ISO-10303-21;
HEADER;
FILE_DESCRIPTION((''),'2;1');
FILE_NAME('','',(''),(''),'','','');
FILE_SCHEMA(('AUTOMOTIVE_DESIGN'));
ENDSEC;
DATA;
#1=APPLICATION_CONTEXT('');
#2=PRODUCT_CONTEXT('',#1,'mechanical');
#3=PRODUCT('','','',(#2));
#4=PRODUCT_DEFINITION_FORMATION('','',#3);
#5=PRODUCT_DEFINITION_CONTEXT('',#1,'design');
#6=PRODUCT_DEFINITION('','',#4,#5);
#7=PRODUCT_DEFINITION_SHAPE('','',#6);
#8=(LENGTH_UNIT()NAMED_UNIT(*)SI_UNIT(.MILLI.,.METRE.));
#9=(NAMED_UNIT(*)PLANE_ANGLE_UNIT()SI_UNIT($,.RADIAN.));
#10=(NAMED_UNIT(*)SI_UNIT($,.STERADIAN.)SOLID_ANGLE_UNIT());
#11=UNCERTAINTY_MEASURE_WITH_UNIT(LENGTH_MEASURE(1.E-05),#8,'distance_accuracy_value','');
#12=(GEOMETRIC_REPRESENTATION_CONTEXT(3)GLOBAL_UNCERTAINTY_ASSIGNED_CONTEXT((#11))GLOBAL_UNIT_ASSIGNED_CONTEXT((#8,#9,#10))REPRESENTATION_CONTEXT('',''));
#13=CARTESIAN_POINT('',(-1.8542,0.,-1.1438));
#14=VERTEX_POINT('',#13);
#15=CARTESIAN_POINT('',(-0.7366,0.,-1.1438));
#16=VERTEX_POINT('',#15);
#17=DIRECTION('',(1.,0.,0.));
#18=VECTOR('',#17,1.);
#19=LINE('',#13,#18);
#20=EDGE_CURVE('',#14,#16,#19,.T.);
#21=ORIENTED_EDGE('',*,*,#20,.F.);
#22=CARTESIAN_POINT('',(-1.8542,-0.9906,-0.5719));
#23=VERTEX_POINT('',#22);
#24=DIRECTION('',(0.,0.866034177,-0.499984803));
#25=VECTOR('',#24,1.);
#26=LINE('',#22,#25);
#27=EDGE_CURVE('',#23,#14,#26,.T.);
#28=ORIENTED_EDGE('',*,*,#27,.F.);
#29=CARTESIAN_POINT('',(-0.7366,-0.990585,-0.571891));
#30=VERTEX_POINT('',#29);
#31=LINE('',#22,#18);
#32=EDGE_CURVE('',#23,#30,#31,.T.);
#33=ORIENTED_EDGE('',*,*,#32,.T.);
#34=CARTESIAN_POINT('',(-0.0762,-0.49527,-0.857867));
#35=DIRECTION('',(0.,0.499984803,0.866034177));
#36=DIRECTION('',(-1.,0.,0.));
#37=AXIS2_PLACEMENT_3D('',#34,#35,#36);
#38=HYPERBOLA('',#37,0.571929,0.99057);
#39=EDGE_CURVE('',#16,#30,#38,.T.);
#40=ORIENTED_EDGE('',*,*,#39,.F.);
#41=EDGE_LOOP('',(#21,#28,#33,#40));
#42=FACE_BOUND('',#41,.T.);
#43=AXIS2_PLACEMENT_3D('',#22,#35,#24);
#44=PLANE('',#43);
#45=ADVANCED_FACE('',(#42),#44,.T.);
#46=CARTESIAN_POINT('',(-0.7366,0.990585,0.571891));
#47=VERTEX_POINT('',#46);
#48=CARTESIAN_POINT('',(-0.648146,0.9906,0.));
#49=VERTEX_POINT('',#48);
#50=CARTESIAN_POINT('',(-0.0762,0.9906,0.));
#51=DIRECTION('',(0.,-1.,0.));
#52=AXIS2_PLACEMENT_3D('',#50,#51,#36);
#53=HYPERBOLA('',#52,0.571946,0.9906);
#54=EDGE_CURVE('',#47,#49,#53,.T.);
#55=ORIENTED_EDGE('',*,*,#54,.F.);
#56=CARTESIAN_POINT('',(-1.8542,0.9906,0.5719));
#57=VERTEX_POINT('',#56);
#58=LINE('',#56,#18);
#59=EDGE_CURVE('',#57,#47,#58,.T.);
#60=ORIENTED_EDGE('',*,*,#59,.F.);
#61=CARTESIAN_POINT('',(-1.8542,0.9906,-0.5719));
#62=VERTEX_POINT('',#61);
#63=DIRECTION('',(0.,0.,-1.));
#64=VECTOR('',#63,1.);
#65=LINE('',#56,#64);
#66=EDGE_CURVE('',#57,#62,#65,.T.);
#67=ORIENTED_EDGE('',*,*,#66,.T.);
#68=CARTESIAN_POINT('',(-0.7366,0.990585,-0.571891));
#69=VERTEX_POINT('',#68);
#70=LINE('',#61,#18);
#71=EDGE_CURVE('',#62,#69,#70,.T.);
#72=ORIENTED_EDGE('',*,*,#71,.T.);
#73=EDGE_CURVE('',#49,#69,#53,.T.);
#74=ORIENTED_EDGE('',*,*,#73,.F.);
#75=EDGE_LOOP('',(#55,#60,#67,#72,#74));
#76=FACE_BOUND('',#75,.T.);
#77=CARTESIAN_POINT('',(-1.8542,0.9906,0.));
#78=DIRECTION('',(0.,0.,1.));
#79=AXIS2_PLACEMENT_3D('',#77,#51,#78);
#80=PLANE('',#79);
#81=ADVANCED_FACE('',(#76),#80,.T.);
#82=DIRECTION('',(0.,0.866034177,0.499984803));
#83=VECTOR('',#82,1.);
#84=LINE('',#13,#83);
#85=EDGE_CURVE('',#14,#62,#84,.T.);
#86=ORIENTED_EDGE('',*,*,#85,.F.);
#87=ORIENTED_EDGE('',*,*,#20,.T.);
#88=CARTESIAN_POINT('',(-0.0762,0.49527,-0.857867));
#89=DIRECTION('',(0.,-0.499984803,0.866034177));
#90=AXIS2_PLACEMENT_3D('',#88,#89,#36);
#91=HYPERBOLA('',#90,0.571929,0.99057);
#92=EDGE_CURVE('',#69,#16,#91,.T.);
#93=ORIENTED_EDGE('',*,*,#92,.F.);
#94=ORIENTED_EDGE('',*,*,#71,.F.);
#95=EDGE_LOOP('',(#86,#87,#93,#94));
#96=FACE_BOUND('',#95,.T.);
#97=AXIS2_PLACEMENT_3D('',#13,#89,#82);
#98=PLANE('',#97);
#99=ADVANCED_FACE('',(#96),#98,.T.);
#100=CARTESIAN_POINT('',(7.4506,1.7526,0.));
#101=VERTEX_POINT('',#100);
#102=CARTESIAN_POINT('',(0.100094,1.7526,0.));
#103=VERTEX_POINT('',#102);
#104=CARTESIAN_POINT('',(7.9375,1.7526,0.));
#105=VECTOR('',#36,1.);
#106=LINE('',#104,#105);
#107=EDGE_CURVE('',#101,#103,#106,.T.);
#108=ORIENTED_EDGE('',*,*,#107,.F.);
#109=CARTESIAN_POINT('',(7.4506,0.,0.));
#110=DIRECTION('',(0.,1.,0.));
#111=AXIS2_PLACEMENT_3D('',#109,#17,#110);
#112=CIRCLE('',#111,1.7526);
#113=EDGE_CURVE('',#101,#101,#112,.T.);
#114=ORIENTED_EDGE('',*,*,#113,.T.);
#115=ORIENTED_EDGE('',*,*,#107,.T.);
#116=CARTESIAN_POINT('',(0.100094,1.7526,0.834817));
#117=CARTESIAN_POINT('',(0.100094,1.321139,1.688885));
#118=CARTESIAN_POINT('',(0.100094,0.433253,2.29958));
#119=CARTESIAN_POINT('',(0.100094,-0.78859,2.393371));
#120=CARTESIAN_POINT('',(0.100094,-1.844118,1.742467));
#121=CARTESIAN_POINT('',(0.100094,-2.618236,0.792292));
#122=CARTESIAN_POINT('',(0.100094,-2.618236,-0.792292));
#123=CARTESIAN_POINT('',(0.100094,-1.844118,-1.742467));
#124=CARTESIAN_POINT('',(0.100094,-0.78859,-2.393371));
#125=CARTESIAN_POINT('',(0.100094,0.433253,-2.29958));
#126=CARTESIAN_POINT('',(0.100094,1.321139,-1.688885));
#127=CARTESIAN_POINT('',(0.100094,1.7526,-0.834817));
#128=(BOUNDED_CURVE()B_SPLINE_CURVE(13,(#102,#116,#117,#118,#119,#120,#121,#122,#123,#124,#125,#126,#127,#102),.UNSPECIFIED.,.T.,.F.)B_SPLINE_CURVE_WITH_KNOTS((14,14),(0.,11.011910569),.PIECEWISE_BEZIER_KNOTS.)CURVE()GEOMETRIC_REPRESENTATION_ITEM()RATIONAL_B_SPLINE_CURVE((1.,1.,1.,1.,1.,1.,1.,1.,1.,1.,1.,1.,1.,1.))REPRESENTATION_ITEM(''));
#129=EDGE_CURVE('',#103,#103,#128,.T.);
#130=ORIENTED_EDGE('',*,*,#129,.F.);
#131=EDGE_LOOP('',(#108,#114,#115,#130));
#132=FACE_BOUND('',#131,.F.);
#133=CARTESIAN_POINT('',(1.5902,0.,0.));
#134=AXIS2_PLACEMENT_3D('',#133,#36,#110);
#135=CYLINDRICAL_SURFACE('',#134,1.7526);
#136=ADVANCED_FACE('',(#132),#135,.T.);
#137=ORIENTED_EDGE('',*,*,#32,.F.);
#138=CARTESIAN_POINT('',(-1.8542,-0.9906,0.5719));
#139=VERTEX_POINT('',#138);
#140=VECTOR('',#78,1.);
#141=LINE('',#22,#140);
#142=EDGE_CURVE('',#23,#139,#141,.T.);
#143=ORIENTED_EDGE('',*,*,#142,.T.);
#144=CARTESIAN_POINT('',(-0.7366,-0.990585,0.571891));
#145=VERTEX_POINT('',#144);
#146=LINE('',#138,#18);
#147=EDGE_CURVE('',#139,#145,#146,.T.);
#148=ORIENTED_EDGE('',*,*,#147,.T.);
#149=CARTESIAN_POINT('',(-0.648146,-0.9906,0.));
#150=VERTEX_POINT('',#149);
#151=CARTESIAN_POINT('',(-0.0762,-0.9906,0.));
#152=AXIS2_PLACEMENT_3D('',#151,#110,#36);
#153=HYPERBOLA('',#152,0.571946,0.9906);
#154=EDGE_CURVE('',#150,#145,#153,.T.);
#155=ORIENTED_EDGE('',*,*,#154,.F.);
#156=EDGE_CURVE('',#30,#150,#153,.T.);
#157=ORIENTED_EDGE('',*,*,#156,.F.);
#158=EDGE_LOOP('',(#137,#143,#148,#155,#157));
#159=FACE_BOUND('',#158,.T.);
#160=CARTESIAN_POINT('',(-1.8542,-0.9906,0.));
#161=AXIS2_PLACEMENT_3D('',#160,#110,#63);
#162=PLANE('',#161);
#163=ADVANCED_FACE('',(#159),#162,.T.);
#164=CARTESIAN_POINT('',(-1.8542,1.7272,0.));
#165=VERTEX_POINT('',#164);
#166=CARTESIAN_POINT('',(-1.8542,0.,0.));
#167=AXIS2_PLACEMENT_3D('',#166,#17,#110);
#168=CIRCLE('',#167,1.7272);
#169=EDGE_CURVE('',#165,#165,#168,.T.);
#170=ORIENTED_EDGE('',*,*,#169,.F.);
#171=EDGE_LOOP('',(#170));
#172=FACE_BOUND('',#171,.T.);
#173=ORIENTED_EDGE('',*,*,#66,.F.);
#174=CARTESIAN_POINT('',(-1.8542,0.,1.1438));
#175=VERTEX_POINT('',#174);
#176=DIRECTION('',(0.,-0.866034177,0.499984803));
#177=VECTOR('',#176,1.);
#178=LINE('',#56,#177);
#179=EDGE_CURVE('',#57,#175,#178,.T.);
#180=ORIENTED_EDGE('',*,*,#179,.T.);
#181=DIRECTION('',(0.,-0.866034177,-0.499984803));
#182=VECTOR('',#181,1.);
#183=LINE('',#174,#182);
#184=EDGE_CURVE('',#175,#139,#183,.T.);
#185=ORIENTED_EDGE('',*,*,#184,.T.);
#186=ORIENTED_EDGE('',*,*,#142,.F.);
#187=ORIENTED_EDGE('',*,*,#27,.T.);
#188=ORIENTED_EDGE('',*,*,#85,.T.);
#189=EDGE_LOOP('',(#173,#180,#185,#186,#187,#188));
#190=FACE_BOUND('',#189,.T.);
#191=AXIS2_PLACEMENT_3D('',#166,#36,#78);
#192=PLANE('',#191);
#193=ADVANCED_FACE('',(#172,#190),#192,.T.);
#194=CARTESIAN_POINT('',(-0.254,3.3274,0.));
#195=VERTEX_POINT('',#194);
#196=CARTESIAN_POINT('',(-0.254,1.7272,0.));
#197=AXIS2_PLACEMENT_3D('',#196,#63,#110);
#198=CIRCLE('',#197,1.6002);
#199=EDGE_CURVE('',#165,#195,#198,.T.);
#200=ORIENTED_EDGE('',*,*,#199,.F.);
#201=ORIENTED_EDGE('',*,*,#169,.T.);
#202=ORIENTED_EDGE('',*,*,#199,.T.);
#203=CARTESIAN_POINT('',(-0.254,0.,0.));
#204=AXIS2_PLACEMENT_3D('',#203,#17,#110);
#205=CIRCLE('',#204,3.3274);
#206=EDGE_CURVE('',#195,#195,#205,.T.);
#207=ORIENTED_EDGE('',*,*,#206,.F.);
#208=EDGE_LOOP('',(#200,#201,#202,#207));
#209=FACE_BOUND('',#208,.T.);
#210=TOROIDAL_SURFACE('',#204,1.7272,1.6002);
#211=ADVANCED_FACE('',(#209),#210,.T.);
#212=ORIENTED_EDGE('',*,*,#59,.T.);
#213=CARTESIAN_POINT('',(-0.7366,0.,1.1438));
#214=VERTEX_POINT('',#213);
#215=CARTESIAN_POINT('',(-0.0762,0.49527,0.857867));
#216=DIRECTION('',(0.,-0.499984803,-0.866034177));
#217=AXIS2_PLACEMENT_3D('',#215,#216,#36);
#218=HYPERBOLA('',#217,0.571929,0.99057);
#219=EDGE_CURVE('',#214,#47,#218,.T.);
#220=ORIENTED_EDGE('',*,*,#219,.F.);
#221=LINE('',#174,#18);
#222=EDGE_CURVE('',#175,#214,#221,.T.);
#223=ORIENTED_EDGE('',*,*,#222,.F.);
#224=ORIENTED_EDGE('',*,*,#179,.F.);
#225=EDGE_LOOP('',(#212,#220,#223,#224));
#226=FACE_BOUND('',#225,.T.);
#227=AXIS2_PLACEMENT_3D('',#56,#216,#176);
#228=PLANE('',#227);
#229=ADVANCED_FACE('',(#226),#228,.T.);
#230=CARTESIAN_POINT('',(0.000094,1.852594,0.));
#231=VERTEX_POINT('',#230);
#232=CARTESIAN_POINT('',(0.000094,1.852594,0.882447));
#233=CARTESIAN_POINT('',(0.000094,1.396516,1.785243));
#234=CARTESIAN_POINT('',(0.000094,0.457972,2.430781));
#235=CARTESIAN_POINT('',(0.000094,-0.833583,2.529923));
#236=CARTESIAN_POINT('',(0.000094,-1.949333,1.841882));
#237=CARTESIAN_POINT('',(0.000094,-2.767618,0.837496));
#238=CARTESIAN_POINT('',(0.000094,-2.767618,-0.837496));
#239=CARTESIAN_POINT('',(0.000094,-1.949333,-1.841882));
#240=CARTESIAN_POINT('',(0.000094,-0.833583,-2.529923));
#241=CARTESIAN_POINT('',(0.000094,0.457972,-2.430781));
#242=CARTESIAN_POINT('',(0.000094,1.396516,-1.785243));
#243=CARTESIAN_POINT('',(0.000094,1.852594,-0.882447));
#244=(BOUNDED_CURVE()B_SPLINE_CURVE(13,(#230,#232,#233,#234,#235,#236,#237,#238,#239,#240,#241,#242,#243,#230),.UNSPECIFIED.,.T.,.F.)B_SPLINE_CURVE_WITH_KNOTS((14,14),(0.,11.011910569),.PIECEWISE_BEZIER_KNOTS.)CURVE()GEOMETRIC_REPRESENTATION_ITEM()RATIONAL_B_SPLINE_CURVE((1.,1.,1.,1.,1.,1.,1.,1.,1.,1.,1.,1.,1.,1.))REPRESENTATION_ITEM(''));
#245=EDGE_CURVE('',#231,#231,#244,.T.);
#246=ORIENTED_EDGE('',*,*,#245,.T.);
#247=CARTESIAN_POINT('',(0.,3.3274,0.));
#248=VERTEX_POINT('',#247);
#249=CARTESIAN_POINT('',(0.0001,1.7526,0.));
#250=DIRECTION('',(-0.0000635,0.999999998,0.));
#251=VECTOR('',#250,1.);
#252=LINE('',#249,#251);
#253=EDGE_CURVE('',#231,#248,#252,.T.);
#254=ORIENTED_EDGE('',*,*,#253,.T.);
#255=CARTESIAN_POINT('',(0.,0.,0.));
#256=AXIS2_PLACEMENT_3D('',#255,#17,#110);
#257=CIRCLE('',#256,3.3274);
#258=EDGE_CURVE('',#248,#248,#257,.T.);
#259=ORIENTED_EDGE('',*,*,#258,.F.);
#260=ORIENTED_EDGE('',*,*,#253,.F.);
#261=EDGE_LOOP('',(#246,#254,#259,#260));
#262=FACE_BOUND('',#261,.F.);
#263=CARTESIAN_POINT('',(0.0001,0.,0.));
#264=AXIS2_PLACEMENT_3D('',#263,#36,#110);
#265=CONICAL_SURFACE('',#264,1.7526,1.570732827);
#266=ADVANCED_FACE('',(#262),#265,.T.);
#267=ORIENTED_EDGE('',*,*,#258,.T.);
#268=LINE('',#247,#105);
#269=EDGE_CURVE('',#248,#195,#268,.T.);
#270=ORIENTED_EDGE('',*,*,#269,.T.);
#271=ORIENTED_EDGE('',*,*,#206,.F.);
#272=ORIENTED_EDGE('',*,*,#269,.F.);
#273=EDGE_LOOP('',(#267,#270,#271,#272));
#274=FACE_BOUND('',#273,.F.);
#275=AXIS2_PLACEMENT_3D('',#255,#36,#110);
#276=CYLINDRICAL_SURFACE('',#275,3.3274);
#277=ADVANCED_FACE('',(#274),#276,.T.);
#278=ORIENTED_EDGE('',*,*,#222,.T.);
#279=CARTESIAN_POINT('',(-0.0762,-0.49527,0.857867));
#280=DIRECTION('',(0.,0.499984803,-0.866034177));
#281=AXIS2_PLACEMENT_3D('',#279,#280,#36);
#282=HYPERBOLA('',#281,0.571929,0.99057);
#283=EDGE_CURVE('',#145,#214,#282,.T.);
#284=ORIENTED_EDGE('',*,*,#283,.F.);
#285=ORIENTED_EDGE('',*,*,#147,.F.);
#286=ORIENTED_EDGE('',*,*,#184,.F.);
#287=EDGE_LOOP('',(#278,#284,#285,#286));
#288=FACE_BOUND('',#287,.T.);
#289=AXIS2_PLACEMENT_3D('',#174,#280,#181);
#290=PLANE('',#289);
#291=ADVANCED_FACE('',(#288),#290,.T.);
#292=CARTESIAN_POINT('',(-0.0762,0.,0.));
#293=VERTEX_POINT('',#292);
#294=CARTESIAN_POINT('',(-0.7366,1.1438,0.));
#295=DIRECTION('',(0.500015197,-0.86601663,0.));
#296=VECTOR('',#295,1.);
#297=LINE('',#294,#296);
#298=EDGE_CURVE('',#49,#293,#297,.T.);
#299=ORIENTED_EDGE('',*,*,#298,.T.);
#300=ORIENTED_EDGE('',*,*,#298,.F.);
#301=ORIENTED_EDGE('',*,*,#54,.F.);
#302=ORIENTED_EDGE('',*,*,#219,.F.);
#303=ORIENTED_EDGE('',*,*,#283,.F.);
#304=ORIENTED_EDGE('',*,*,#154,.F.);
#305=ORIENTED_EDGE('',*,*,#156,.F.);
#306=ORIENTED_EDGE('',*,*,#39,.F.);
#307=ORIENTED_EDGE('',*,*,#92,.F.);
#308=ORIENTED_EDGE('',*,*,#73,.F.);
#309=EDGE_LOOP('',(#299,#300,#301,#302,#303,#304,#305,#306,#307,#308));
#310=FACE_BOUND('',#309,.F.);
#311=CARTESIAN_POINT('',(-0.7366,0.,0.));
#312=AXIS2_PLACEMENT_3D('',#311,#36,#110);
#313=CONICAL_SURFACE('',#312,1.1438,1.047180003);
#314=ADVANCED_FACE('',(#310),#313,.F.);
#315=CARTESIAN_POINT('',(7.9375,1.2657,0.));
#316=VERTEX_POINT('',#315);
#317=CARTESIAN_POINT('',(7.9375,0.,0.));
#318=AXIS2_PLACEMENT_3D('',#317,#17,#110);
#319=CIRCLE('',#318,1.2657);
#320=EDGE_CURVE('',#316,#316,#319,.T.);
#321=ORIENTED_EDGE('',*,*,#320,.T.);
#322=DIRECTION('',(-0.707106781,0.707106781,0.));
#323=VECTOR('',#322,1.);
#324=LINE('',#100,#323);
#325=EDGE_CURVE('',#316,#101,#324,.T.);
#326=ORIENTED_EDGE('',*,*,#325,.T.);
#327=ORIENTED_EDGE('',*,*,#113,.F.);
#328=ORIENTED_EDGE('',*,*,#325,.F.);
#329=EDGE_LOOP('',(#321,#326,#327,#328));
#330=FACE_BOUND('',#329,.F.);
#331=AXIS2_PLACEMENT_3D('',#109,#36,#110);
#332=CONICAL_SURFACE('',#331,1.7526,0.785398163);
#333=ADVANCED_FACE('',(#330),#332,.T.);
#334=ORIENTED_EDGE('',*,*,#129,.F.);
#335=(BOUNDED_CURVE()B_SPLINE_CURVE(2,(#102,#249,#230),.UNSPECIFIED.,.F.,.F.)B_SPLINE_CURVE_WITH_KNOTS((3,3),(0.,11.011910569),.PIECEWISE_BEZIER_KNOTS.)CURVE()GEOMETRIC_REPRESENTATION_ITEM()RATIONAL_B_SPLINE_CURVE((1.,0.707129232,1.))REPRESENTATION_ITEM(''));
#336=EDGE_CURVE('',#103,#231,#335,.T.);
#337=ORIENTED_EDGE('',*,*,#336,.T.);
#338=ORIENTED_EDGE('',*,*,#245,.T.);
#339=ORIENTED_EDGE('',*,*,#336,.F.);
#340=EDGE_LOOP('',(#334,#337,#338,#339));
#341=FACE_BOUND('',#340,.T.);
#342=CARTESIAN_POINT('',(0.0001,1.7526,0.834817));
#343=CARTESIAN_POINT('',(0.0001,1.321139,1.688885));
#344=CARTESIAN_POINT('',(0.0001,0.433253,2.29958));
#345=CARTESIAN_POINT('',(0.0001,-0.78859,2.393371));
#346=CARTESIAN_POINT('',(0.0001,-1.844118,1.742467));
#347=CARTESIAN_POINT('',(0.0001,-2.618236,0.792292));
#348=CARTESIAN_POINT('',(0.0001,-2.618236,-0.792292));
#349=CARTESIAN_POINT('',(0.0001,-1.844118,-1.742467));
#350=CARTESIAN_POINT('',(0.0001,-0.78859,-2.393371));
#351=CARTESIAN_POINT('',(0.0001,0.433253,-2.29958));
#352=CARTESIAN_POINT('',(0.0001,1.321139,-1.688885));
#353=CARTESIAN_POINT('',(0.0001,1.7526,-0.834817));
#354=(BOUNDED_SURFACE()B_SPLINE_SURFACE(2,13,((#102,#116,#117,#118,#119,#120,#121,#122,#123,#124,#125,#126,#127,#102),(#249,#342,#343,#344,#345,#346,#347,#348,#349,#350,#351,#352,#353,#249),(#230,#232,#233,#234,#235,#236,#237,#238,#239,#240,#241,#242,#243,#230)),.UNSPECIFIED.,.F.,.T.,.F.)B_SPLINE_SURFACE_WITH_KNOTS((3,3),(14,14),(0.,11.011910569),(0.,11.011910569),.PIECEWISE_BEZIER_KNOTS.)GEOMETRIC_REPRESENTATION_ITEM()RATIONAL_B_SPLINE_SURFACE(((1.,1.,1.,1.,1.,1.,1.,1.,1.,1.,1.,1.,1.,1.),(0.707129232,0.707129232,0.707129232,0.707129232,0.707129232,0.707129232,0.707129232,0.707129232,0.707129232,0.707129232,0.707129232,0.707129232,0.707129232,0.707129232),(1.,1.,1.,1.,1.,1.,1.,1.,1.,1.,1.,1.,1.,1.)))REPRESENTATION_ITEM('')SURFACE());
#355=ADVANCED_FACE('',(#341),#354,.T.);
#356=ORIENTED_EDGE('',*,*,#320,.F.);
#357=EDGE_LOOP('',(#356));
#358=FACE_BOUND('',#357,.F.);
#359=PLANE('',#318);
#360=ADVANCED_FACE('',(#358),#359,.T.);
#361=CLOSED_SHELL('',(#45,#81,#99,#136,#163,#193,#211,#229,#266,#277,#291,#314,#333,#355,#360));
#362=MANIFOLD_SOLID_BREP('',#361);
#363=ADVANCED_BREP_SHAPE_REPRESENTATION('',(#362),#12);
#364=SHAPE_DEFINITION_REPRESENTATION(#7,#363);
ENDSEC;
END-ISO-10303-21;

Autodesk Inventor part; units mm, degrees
ref_plane "YZ Plane" through (0, 0, 0) normal (1, 0, 0) x (0, 1, 0)
ref_plane "XZ Plane" through (0, 0, 0) normal (0, 1, 0) x (-1, 0, 0)
sketch "Sketch1" plane through (0, 0, 0) normal (0, 0, 1) x (1, 0, 0)
  line L0 (-0.0762, 0) -> (7.9375, 0)
  line L1 (7.9375, 0) -> (7.9375, 1.7526)
  line L2 (7.9375, 1.7526) -> (1.5902, 1.7526)
  line L3 (1.5902, 1.7526) -> (0.0001, 1.7526)
  line L4 (0.0001, 1.7526) -> (0, 1.7526)
  line L5 (0, 1.7526) -> (0, 3.3274)
  line L6 (0, 3.3274) -> (-1.8542, 3.3274)
  line L7 (-1.8542, 3.3274) -> (-1.8542, 1.1438)
  line L8 (-1.8542, 1.1438) -> (-0.7366, 1.1438)
  line L9 (-0.7366, 1.1438) -> (-0.0762, 0)
  line L10 (-3.8125, 0) -> (9.8958, 0) projected
  line L11 (0, -0.6655) -> (0, 3.9929) projected
  line L12 (1.5902, 1.7526) -> (0, 1.7526) construction
  dimension "d1" = 6.3473
  dimension "d2" = 1.5901
  dimension "d3" = 1.8542
  dimension "d4" = 1.1176
  dimension "d5" = 60
  dimension "d6" = 3.5052
  dimension "d7" = 3.5052
  dimension "d8" = 2.2877
  dimension "d9" = 6.6548
  dimension "d26" = 7.9375
revolve "Body" add sketch "Sketch1" angle 360 about axis through (-0.0762, 0, 0) along (1, 0, 0)
sketch "Sketch2" plane through (-1.8542, 0, 0) normal (-1, 0, 0) x (0, 0, 1)
  circle A0 centre (0, 0) radius 1.1438 projected
  line L0 (0, -4.6584) -> (0, 4.6584) projected
  line L1 (-4.6584, 0) -> (4.6584, 0) projected
  line L2 (1.1438, 0) -> (0.5719, -0.9906)
  line L3 (0.5719, -0.9906) -> (-0.5719, -0.9906)
  line L4 (-0.5719, -0.9906) -> (-1.1438, 0)
  line L5 (-1.1438, 0) -> (-0.5719, 0.9906)
  line L6 (-0.5719, 0.9906) -> (0.5719, 0.9906)
  line L7 (0.5719, 0.9906) -> (1.1438, 0)
  point P0 (0, 0)
extrude "Slot" add sketch "Sketch2" against normal up to next contours L7 A0 | A0 L2 | L6 L0 A0 | A0 L0 L3 | L0 L6 A0 | A0 L3 L0 | L4 A0 | A0 L5
fillet "Fillet1" radius 1.6002 1 edges at (-1.8542, -3.3274, 0)
thread "Thread" size "6-32 UNC" class "2A" standard "ANSI Unified Screw Threads" length 6.3473
chamfer "Chamfer1" distance 0.4869 distance2 0.4869 1 edges at (7.9375, -1.7526, 0) measured on face at (7.9375, -0.5672, -0.1398)
ref_plane "Work Plane1" through (29, 0, 0) normal (0, -1, 0) x (1, 0, 0)
fillet "Fillet2" radius 0.1 1 edges at (0.0001, -1.7526, 0)
equation "\"d1\" = GEL"
equation "\"d3\" = KOH"
equation "\"d4\" = INTI"
equation "\"d6\" = GD"
equation "\"d7\" = BDM"
equation "\"d8\" = 1.1547 * SW"
equation "\"d9\" = KOD"
equation "\"d26\" = NLG"
equation "\"d30\" = R"
equation "\"d17\" = RR"
equation "\"d13\" = GEL"
equation "\"d15\" = -0.5 * SPD + 0.5 * GD"
equation "\"d16\" = GUL"
equation "\"GD\" = NND"
equation "\"NLG\" = 7.9375"
equation "\"GEL\" = 6.34726"
equation "\"KOD\" = 6.6548"
equation "\"KOH\" = 1.8542"
equation "\"INTI\" = 1.1176"
equation "\"GAL\" = 1.59004"
equation "\"GUL\" = 0.48692"
equation "\"BDM\" = NND"
equation "\"SW\" = 1.9812"
equation "\"RR\" = 1.6002"
equation "\"SPD\" = 2.53136"
equation "\"R\" = 0.1"
equation "\"TOA\" = 30deg"
equation "\"GD1\" = SPD"
equation "\"THREADDIA\" = 3.5052"
equation "\"KOH1\" = 0.381"
equation "\"NND\" = 3.5052"
equation "\"E0\" = 2.28829"
properties part number "ANSI B18.3 - 6 - 32 x 5/16" material "Steel, Mild"
